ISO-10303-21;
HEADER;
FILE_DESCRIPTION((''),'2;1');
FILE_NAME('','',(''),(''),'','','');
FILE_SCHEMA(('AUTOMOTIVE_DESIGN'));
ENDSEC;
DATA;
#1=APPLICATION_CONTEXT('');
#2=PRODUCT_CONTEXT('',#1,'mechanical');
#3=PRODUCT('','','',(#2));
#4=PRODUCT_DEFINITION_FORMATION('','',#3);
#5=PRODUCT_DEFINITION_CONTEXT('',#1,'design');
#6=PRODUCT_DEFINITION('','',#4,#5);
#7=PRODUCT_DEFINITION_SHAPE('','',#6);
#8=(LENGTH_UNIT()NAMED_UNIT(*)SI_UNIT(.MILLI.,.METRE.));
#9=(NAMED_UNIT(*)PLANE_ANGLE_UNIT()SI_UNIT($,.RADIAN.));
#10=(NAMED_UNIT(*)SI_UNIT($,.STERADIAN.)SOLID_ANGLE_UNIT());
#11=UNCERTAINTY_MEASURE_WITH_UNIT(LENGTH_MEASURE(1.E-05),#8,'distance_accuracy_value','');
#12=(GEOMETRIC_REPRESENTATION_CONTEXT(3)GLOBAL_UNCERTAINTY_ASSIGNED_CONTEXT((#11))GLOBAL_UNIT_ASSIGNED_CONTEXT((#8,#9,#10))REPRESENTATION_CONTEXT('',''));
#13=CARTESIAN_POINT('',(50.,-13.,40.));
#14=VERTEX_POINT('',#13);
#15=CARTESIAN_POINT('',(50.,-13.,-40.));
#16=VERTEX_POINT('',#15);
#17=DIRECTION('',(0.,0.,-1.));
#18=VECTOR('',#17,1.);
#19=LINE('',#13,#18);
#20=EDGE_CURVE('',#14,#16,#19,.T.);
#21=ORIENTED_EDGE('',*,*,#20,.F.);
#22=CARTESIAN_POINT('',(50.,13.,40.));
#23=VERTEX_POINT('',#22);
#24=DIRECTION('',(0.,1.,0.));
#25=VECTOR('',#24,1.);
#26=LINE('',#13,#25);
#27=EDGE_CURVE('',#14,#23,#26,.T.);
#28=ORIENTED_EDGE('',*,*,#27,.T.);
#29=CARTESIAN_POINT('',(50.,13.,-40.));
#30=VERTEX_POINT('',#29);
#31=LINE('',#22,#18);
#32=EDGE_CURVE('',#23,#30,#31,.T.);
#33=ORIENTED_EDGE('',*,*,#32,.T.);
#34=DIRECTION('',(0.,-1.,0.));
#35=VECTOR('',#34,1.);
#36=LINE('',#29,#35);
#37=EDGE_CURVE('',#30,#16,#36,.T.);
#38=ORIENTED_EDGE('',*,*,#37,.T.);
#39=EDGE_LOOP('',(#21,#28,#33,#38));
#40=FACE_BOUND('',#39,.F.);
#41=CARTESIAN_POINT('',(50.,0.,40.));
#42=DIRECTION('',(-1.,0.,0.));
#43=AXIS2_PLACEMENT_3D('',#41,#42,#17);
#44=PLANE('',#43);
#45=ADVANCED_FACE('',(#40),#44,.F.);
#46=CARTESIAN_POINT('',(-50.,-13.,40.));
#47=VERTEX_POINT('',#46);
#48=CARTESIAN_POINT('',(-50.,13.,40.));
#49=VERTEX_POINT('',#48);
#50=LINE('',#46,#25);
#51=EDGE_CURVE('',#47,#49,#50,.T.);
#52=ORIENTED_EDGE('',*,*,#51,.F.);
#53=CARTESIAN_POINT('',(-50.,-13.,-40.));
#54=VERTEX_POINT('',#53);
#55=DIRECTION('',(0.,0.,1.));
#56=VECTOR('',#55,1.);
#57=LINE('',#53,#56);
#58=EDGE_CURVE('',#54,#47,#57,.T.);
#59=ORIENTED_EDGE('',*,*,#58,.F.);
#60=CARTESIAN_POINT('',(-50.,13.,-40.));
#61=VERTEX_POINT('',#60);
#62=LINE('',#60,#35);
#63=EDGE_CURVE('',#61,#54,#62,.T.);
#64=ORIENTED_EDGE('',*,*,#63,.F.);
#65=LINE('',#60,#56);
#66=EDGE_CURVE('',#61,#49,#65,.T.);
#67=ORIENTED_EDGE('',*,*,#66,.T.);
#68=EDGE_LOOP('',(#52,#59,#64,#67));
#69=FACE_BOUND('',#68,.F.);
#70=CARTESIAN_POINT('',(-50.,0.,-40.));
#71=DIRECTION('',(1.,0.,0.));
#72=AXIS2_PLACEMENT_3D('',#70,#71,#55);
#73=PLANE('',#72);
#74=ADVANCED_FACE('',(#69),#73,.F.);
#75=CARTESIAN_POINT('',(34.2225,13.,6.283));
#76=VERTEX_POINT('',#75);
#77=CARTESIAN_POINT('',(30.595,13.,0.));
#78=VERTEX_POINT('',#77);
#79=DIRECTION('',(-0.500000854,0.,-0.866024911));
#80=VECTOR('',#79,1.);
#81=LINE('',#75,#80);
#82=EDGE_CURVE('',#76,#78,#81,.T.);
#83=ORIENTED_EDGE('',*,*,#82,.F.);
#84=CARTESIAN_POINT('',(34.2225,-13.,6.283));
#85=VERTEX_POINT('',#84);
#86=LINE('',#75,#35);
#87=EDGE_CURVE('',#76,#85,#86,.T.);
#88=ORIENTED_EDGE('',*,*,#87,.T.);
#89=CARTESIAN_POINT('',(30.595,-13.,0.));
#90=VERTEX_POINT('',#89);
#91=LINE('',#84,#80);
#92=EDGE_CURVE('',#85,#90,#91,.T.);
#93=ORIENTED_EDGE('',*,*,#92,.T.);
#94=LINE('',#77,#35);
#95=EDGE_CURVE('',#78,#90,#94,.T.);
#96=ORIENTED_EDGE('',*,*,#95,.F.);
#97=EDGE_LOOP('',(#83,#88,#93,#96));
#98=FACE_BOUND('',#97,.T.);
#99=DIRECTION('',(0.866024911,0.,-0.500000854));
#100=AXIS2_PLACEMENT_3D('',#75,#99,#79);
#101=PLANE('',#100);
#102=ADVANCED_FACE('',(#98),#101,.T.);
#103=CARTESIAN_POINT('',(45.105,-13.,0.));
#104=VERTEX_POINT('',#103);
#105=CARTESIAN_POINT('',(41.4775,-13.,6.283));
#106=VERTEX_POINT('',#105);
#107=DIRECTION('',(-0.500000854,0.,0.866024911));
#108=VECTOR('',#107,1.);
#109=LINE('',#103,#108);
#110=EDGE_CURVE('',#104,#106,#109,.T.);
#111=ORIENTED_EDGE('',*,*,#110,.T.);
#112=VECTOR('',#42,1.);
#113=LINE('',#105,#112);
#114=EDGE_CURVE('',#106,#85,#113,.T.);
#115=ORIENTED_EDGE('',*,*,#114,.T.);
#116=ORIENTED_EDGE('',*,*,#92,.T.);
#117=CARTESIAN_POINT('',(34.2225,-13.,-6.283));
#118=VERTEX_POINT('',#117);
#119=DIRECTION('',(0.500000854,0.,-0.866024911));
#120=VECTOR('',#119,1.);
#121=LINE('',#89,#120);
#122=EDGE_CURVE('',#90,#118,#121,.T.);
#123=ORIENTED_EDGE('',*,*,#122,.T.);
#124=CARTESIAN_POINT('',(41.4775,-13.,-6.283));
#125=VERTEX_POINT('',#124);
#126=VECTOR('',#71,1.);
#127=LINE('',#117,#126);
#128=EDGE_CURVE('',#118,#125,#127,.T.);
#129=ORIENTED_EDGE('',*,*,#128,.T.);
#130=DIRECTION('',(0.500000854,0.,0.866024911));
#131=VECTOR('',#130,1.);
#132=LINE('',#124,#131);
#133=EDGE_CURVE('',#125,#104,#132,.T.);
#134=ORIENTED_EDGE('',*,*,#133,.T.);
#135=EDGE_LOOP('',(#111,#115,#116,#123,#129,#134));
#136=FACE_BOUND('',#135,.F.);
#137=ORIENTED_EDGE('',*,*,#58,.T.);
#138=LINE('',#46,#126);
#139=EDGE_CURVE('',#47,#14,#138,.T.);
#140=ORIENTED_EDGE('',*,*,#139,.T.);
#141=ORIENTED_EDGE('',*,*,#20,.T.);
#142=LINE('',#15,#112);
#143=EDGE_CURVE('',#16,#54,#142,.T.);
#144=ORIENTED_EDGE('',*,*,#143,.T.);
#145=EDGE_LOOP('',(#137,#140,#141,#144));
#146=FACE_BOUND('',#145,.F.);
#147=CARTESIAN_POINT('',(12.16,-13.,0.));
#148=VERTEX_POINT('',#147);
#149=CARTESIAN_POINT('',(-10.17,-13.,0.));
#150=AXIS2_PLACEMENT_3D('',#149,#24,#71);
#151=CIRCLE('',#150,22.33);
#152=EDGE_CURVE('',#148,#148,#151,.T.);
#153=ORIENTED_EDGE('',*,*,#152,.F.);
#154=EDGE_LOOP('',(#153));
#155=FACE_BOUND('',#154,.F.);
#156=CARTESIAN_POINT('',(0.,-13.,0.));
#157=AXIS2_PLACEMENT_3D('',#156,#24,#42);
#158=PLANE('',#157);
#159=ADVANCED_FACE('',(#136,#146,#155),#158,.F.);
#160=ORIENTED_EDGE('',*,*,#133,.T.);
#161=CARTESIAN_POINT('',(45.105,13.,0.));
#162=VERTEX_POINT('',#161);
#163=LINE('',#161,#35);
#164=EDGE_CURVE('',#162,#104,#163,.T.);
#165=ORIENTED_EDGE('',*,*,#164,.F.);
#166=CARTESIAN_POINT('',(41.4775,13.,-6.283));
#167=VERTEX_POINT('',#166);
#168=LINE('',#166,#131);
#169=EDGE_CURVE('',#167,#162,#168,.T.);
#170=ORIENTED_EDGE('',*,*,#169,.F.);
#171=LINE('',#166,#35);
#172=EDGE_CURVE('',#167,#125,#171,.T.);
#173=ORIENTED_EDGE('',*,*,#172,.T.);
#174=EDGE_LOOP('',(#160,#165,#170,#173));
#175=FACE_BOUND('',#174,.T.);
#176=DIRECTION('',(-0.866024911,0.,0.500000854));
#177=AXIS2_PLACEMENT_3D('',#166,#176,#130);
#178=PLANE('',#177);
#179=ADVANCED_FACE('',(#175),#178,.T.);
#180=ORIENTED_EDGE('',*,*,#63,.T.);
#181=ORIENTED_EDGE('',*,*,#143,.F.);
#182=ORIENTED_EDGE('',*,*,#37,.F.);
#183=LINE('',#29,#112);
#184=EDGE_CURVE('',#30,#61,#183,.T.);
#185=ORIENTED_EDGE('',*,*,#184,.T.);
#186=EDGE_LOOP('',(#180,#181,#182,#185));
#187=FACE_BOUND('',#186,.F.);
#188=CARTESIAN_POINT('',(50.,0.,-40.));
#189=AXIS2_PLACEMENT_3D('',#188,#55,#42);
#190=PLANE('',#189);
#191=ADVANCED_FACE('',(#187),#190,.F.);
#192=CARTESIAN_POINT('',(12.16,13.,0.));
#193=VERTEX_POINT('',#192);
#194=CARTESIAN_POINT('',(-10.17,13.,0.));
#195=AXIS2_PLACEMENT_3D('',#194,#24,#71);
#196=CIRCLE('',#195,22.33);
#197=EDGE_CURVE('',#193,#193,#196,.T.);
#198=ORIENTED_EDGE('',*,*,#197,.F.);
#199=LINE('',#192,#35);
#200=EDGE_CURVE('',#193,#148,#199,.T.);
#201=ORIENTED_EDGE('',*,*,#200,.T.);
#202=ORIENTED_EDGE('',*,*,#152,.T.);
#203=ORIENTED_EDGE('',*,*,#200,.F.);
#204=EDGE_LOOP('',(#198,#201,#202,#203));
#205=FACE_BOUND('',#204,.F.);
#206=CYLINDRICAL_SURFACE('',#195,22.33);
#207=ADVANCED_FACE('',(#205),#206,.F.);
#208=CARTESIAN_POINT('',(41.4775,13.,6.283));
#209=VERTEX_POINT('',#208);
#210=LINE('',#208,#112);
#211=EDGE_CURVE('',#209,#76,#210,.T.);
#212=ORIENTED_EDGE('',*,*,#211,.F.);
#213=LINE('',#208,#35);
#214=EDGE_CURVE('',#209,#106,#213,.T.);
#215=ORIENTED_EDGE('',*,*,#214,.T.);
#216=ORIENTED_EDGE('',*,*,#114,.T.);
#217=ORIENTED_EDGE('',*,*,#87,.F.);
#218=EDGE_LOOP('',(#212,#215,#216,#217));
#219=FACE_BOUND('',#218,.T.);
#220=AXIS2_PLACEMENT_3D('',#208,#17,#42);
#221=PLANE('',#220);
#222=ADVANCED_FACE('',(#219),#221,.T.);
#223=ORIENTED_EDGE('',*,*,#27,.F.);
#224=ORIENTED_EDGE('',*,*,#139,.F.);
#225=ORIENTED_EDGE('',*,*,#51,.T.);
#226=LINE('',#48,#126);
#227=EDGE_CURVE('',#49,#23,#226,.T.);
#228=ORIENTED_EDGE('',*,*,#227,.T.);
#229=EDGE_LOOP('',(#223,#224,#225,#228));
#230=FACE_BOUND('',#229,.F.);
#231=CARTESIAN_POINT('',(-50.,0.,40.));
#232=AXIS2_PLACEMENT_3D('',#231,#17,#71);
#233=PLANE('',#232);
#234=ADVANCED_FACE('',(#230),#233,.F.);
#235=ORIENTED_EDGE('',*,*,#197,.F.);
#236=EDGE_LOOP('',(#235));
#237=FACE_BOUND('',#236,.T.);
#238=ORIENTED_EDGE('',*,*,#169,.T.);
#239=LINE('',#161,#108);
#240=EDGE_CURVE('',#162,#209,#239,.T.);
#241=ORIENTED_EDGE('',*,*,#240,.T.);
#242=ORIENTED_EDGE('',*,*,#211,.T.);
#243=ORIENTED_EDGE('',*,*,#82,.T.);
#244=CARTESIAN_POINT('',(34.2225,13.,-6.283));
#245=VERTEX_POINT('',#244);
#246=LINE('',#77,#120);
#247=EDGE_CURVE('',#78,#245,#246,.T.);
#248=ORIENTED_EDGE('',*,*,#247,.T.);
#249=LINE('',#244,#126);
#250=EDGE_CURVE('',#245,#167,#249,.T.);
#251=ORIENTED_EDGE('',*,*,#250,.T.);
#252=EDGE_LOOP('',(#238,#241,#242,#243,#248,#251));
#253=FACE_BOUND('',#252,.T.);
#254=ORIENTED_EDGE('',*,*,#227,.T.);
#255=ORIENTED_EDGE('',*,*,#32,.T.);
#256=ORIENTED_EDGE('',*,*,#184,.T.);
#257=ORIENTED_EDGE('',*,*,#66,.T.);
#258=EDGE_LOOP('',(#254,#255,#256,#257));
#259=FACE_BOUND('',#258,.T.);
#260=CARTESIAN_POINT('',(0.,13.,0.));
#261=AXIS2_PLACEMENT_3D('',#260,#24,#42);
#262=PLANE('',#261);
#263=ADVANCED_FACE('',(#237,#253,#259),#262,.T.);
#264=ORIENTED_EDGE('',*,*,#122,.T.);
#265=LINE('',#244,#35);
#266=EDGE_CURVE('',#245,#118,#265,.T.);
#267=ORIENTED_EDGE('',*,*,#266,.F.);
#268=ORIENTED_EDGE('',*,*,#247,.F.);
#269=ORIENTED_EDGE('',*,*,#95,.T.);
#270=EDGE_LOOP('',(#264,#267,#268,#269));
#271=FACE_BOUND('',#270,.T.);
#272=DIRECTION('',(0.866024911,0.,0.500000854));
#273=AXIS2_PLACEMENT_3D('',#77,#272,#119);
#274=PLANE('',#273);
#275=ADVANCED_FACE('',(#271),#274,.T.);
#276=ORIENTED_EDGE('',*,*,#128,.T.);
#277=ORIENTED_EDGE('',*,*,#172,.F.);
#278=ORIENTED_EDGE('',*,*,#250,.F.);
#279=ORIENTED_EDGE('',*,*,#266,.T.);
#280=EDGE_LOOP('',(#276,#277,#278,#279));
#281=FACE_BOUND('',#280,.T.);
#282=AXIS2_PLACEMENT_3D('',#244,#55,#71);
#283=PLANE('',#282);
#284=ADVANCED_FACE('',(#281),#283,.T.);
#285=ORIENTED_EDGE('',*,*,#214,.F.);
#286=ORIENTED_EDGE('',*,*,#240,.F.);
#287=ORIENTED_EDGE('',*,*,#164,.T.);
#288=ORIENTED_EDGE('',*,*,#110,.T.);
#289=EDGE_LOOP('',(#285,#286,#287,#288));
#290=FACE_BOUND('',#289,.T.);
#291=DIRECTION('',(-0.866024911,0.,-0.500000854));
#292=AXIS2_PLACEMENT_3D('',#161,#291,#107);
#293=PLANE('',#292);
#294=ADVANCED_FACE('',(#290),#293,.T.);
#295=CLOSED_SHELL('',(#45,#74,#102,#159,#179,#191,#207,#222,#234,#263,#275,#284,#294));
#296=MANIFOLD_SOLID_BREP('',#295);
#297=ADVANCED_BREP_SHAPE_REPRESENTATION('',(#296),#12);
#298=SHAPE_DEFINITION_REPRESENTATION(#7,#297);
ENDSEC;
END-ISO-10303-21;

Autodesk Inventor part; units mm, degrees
ref_plane "YZ Plane" through (0, 0, 0) normal (1, 0, 0) x (0, 1, 0)
ref_plane "XZ Plane" through (0, 0, 0) normal (0, 1, 0) x (-1, 0, 0)
ref_plane "XY Plane" through (0, 0, 0) normal (0, 0, 1) x (1, 0, 0)
sketch "Sketch1" plane through (0, 0, 0) normal (0, 1, 0) x (-1, 0, 0)
  line L0 (50, 40) -> (-50, 40)
  line L1 (-50, 40) -> (-50, -40)
  line L2 (-50, -40) -> (50, -40)
  line L3 (50, -40) -> (50, 40)
  line L4 (50, 40) -> (-50, -40) construction
  line L5 (-50, 40) -> (50, -40) construction
  point P0 (0, 0)
  dimension "d0" = 100
  dimension "d1" = 80
extrude "Extrusion1" add sketch "Sketch1" along normal mid plane 26
sketch "Sketch2" plane through (0, 13, 0) normal (0, 1, 0) x (1, 0, 0)
  circle A0 centre (-10.17, 0) radius 22.33
  line L0 (-50, 40) -> (-50, -40) projected
  circle A1 centre (37.85, 0) radius 7.255
  line L1 (50, -40) -> (50, 40) projected
  line L2 (45.105, 0) -> (41.4775, -6.283)
  line L3 (41.4775, -6.283) -> (34.2225, -6.283)
  line L4 (34.2225, -6.283) -> (30.595, 0)
  line L5 (30.595, 0) -> (34.2225, 6.283)
  line L6 (34.2225, 6.283) -> (41.4775, 6.283)
  line L7 (41.4775, 6.283) -> (45.105, 0)
  dimension "d12" = 14.51
  dimension "d6" = 39.83
  dimension "d8" = 12.15
extrude "Extrusion2" cut sketch "Sketch2" against normal blind 26 contours A0 | L2 L3 L4 L5 L6 L7
properties part number "CNC-Z-axis- dremel mount"
